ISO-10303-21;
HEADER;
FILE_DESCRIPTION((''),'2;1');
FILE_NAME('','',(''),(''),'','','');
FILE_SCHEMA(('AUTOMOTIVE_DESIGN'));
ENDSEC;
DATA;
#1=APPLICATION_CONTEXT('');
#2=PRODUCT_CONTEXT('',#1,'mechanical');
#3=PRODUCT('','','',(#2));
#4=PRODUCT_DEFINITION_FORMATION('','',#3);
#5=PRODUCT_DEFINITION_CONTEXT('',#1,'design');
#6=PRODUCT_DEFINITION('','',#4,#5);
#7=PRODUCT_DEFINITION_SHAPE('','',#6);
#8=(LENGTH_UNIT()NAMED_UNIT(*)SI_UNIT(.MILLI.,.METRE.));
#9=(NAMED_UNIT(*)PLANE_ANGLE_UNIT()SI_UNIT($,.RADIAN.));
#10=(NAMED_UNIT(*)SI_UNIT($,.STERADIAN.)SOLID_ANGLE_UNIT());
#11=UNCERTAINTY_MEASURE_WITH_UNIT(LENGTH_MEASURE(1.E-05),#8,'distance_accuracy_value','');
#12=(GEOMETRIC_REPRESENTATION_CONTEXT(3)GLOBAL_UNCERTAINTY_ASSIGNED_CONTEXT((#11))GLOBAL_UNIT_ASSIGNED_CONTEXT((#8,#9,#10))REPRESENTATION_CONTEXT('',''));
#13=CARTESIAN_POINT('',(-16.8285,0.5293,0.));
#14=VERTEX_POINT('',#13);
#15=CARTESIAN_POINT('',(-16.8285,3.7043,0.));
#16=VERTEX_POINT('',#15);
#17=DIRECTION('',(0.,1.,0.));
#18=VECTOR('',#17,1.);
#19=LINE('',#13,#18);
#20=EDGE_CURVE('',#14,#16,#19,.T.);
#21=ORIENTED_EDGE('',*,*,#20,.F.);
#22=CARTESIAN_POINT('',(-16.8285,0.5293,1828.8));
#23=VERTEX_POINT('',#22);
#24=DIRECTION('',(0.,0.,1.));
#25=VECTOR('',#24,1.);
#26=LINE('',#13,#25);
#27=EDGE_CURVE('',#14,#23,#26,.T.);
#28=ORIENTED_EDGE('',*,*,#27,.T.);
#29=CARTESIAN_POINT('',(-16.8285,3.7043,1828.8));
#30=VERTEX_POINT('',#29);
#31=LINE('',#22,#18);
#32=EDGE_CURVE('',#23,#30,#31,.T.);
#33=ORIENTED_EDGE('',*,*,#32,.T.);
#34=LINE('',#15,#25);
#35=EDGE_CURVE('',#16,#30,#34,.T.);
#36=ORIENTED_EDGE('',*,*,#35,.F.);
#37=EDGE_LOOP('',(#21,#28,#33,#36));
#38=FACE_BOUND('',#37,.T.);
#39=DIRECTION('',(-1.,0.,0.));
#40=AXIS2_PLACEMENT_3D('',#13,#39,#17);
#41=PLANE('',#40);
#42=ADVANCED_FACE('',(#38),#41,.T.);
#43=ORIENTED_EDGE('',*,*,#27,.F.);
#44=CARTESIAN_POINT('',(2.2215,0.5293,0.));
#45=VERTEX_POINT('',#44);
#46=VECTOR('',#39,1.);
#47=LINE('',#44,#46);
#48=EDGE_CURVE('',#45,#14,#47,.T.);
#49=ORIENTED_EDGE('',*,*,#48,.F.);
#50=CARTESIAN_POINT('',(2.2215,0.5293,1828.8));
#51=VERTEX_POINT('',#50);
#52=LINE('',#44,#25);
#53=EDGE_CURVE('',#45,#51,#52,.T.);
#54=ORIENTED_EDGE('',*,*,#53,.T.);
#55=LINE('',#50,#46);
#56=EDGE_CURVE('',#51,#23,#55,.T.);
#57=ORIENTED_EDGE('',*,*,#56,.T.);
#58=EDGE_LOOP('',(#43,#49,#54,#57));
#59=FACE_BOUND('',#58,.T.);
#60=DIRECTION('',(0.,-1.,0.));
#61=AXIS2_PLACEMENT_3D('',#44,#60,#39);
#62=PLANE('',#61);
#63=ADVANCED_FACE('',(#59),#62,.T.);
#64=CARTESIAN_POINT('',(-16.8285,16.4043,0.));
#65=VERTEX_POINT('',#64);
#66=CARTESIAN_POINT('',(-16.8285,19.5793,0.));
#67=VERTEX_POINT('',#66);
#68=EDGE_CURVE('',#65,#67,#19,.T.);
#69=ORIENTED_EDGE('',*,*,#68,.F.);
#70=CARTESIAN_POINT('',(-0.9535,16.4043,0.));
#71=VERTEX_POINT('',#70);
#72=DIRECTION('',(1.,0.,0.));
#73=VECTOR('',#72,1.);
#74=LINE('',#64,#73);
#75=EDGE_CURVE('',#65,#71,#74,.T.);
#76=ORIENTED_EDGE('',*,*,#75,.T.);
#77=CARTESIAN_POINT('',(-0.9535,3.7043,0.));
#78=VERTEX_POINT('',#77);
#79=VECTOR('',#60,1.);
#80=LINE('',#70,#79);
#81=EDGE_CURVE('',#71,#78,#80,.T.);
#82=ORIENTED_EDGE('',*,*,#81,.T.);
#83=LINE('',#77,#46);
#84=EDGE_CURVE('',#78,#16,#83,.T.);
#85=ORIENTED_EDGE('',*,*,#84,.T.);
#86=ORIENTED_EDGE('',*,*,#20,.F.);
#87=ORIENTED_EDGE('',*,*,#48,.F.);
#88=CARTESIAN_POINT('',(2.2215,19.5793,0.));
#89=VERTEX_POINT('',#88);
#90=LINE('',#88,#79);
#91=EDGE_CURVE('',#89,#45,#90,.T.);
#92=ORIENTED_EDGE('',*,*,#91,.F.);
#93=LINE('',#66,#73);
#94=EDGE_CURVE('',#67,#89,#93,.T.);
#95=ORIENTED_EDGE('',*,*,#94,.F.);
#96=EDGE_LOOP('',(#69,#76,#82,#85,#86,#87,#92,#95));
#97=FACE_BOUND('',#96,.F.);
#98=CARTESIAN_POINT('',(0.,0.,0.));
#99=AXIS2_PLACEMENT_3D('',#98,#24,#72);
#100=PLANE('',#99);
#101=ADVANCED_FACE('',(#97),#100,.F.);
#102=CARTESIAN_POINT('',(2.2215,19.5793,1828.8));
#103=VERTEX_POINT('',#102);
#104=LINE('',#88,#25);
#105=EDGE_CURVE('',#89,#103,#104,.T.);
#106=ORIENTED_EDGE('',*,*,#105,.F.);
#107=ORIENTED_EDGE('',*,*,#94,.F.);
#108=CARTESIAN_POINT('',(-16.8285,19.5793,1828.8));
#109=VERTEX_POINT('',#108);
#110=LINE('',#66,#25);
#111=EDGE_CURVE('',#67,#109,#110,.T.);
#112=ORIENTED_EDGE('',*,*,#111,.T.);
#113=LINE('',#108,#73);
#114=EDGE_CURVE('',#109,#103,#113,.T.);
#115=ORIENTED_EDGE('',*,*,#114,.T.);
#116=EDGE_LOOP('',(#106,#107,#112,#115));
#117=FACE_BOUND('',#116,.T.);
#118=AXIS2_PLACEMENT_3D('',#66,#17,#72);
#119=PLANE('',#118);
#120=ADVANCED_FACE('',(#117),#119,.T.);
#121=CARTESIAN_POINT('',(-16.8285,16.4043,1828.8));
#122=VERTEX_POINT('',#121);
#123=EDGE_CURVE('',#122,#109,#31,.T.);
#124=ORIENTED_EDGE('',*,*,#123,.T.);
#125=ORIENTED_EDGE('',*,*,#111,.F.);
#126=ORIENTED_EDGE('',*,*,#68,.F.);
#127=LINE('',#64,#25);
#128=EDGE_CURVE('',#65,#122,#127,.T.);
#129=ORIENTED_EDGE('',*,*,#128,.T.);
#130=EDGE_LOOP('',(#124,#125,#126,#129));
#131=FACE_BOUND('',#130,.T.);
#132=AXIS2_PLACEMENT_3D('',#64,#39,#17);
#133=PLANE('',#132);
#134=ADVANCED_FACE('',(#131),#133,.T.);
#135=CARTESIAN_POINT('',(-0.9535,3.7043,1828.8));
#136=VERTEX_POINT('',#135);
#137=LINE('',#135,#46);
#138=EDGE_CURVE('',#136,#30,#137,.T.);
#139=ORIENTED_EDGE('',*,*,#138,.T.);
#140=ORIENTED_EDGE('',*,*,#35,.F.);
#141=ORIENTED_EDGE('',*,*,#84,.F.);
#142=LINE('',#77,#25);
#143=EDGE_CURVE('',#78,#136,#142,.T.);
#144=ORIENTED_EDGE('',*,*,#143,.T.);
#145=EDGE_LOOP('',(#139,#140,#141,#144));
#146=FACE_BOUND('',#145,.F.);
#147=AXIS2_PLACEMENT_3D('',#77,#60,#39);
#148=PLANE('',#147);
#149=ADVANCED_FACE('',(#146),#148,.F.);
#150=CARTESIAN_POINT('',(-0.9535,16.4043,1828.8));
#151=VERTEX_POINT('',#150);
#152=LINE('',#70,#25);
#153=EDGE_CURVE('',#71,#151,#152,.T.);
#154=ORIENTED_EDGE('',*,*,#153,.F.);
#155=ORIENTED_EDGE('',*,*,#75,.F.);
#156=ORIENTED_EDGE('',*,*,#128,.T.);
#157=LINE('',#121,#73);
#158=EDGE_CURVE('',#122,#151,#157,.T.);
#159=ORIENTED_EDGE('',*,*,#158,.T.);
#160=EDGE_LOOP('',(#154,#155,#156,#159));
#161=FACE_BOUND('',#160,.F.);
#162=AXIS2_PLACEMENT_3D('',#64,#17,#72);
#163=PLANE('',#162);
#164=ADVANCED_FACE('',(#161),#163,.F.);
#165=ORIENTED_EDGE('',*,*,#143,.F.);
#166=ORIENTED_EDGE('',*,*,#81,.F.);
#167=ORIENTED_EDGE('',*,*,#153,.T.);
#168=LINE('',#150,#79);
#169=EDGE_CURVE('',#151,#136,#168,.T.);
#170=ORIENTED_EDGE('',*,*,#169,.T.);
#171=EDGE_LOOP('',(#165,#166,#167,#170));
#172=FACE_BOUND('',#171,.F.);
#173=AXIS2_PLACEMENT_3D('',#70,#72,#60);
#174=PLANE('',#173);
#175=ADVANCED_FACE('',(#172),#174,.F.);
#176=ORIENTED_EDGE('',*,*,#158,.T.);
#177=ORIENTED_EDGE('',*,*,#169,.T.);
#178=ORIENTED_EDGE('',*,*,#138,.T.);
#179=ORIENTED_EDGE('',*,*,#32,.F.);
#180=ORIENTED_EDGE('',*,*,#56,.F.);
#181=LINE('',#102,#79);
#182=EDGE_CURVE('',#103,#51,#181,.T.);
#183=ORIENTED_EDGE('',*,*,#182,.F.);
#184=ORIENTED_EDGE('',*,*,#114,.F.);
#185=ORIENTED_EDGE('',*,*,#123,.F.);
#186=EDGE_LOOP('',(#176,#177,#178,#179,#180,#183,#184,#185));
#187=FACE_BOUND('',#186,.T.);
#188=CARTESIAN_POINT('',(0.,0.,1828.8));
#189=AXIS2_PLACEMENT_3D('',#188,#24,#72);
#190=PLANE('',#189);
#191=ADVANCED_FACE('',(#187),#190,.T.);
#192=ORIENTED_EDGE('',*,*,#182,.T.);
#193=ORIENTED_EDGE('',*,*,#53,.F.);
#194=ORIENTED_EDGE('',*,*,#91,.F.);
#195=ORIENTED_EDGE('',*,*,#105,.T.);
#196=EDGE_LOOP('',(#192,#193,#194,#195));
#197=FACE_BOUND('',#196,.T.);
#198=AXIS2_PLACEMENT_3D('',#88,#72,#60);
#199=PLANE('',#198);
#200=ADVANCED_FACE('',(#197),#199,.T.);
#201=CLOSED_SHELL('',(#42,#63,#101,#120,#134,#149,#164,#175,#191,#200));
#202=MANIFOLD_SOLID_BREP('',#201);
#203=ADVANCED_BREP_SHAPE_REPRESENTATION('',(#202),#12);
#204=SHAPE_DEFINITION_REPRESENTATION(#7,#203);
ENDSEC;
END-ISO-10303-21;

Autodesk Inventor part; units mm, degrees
ref_plane "YZ Plane" through (0, 0, 0) normal (1, 0, 0) x (0, 1, 0)
ref_plane "XZ Plane" through (0, 0, 0) normal (0, 1, 0) x (-1, 0, 0)
ref_plane "XY Plane" through (0, 0, 0) normal (0, 0, 1) x (1, 0, 0)
sketch "Sketch1" plane through (0, 0, 0) normal (0, 0, 1) x (1, 0, 0)
  line L0 (-16.8285, 19.5793) -> (2.2215, 19.5793)
  line L1 (2.2215, 19.5793) -> (2.2215, 0.5293)
  line L2 (2.2215, 0.5293) -> (-16.8285, 0.5293)
  line L3 (-16.8285, 0.5293) -> (-16.8285, 19.5793)
  line L4 (-16.8285, 16.4043) -> (-0.9535, 16.4043)
  line L5 (-0.9535, 16.4043) -> (-0.9535, 3.7043)
  line L6 (-0.9535, 3.7043) -> (-16.8285, 3.7043)
  line L7 (-16.8285, 3.7043) -> (-16.8285, 16.4043)
  dimension "d0" = 19.05
  dimension "d1" = 19.05
  dimension "d2" = 3.175
  dimension "d3" = 3.175
  dimension "d4" = 3.175
extrude "Extrusion1" add sketch "Sketch1" along normal blind 1828.8 contours L0 L1 L2 L3 L6 L5 L4
properties part number "FE-00004-05"
